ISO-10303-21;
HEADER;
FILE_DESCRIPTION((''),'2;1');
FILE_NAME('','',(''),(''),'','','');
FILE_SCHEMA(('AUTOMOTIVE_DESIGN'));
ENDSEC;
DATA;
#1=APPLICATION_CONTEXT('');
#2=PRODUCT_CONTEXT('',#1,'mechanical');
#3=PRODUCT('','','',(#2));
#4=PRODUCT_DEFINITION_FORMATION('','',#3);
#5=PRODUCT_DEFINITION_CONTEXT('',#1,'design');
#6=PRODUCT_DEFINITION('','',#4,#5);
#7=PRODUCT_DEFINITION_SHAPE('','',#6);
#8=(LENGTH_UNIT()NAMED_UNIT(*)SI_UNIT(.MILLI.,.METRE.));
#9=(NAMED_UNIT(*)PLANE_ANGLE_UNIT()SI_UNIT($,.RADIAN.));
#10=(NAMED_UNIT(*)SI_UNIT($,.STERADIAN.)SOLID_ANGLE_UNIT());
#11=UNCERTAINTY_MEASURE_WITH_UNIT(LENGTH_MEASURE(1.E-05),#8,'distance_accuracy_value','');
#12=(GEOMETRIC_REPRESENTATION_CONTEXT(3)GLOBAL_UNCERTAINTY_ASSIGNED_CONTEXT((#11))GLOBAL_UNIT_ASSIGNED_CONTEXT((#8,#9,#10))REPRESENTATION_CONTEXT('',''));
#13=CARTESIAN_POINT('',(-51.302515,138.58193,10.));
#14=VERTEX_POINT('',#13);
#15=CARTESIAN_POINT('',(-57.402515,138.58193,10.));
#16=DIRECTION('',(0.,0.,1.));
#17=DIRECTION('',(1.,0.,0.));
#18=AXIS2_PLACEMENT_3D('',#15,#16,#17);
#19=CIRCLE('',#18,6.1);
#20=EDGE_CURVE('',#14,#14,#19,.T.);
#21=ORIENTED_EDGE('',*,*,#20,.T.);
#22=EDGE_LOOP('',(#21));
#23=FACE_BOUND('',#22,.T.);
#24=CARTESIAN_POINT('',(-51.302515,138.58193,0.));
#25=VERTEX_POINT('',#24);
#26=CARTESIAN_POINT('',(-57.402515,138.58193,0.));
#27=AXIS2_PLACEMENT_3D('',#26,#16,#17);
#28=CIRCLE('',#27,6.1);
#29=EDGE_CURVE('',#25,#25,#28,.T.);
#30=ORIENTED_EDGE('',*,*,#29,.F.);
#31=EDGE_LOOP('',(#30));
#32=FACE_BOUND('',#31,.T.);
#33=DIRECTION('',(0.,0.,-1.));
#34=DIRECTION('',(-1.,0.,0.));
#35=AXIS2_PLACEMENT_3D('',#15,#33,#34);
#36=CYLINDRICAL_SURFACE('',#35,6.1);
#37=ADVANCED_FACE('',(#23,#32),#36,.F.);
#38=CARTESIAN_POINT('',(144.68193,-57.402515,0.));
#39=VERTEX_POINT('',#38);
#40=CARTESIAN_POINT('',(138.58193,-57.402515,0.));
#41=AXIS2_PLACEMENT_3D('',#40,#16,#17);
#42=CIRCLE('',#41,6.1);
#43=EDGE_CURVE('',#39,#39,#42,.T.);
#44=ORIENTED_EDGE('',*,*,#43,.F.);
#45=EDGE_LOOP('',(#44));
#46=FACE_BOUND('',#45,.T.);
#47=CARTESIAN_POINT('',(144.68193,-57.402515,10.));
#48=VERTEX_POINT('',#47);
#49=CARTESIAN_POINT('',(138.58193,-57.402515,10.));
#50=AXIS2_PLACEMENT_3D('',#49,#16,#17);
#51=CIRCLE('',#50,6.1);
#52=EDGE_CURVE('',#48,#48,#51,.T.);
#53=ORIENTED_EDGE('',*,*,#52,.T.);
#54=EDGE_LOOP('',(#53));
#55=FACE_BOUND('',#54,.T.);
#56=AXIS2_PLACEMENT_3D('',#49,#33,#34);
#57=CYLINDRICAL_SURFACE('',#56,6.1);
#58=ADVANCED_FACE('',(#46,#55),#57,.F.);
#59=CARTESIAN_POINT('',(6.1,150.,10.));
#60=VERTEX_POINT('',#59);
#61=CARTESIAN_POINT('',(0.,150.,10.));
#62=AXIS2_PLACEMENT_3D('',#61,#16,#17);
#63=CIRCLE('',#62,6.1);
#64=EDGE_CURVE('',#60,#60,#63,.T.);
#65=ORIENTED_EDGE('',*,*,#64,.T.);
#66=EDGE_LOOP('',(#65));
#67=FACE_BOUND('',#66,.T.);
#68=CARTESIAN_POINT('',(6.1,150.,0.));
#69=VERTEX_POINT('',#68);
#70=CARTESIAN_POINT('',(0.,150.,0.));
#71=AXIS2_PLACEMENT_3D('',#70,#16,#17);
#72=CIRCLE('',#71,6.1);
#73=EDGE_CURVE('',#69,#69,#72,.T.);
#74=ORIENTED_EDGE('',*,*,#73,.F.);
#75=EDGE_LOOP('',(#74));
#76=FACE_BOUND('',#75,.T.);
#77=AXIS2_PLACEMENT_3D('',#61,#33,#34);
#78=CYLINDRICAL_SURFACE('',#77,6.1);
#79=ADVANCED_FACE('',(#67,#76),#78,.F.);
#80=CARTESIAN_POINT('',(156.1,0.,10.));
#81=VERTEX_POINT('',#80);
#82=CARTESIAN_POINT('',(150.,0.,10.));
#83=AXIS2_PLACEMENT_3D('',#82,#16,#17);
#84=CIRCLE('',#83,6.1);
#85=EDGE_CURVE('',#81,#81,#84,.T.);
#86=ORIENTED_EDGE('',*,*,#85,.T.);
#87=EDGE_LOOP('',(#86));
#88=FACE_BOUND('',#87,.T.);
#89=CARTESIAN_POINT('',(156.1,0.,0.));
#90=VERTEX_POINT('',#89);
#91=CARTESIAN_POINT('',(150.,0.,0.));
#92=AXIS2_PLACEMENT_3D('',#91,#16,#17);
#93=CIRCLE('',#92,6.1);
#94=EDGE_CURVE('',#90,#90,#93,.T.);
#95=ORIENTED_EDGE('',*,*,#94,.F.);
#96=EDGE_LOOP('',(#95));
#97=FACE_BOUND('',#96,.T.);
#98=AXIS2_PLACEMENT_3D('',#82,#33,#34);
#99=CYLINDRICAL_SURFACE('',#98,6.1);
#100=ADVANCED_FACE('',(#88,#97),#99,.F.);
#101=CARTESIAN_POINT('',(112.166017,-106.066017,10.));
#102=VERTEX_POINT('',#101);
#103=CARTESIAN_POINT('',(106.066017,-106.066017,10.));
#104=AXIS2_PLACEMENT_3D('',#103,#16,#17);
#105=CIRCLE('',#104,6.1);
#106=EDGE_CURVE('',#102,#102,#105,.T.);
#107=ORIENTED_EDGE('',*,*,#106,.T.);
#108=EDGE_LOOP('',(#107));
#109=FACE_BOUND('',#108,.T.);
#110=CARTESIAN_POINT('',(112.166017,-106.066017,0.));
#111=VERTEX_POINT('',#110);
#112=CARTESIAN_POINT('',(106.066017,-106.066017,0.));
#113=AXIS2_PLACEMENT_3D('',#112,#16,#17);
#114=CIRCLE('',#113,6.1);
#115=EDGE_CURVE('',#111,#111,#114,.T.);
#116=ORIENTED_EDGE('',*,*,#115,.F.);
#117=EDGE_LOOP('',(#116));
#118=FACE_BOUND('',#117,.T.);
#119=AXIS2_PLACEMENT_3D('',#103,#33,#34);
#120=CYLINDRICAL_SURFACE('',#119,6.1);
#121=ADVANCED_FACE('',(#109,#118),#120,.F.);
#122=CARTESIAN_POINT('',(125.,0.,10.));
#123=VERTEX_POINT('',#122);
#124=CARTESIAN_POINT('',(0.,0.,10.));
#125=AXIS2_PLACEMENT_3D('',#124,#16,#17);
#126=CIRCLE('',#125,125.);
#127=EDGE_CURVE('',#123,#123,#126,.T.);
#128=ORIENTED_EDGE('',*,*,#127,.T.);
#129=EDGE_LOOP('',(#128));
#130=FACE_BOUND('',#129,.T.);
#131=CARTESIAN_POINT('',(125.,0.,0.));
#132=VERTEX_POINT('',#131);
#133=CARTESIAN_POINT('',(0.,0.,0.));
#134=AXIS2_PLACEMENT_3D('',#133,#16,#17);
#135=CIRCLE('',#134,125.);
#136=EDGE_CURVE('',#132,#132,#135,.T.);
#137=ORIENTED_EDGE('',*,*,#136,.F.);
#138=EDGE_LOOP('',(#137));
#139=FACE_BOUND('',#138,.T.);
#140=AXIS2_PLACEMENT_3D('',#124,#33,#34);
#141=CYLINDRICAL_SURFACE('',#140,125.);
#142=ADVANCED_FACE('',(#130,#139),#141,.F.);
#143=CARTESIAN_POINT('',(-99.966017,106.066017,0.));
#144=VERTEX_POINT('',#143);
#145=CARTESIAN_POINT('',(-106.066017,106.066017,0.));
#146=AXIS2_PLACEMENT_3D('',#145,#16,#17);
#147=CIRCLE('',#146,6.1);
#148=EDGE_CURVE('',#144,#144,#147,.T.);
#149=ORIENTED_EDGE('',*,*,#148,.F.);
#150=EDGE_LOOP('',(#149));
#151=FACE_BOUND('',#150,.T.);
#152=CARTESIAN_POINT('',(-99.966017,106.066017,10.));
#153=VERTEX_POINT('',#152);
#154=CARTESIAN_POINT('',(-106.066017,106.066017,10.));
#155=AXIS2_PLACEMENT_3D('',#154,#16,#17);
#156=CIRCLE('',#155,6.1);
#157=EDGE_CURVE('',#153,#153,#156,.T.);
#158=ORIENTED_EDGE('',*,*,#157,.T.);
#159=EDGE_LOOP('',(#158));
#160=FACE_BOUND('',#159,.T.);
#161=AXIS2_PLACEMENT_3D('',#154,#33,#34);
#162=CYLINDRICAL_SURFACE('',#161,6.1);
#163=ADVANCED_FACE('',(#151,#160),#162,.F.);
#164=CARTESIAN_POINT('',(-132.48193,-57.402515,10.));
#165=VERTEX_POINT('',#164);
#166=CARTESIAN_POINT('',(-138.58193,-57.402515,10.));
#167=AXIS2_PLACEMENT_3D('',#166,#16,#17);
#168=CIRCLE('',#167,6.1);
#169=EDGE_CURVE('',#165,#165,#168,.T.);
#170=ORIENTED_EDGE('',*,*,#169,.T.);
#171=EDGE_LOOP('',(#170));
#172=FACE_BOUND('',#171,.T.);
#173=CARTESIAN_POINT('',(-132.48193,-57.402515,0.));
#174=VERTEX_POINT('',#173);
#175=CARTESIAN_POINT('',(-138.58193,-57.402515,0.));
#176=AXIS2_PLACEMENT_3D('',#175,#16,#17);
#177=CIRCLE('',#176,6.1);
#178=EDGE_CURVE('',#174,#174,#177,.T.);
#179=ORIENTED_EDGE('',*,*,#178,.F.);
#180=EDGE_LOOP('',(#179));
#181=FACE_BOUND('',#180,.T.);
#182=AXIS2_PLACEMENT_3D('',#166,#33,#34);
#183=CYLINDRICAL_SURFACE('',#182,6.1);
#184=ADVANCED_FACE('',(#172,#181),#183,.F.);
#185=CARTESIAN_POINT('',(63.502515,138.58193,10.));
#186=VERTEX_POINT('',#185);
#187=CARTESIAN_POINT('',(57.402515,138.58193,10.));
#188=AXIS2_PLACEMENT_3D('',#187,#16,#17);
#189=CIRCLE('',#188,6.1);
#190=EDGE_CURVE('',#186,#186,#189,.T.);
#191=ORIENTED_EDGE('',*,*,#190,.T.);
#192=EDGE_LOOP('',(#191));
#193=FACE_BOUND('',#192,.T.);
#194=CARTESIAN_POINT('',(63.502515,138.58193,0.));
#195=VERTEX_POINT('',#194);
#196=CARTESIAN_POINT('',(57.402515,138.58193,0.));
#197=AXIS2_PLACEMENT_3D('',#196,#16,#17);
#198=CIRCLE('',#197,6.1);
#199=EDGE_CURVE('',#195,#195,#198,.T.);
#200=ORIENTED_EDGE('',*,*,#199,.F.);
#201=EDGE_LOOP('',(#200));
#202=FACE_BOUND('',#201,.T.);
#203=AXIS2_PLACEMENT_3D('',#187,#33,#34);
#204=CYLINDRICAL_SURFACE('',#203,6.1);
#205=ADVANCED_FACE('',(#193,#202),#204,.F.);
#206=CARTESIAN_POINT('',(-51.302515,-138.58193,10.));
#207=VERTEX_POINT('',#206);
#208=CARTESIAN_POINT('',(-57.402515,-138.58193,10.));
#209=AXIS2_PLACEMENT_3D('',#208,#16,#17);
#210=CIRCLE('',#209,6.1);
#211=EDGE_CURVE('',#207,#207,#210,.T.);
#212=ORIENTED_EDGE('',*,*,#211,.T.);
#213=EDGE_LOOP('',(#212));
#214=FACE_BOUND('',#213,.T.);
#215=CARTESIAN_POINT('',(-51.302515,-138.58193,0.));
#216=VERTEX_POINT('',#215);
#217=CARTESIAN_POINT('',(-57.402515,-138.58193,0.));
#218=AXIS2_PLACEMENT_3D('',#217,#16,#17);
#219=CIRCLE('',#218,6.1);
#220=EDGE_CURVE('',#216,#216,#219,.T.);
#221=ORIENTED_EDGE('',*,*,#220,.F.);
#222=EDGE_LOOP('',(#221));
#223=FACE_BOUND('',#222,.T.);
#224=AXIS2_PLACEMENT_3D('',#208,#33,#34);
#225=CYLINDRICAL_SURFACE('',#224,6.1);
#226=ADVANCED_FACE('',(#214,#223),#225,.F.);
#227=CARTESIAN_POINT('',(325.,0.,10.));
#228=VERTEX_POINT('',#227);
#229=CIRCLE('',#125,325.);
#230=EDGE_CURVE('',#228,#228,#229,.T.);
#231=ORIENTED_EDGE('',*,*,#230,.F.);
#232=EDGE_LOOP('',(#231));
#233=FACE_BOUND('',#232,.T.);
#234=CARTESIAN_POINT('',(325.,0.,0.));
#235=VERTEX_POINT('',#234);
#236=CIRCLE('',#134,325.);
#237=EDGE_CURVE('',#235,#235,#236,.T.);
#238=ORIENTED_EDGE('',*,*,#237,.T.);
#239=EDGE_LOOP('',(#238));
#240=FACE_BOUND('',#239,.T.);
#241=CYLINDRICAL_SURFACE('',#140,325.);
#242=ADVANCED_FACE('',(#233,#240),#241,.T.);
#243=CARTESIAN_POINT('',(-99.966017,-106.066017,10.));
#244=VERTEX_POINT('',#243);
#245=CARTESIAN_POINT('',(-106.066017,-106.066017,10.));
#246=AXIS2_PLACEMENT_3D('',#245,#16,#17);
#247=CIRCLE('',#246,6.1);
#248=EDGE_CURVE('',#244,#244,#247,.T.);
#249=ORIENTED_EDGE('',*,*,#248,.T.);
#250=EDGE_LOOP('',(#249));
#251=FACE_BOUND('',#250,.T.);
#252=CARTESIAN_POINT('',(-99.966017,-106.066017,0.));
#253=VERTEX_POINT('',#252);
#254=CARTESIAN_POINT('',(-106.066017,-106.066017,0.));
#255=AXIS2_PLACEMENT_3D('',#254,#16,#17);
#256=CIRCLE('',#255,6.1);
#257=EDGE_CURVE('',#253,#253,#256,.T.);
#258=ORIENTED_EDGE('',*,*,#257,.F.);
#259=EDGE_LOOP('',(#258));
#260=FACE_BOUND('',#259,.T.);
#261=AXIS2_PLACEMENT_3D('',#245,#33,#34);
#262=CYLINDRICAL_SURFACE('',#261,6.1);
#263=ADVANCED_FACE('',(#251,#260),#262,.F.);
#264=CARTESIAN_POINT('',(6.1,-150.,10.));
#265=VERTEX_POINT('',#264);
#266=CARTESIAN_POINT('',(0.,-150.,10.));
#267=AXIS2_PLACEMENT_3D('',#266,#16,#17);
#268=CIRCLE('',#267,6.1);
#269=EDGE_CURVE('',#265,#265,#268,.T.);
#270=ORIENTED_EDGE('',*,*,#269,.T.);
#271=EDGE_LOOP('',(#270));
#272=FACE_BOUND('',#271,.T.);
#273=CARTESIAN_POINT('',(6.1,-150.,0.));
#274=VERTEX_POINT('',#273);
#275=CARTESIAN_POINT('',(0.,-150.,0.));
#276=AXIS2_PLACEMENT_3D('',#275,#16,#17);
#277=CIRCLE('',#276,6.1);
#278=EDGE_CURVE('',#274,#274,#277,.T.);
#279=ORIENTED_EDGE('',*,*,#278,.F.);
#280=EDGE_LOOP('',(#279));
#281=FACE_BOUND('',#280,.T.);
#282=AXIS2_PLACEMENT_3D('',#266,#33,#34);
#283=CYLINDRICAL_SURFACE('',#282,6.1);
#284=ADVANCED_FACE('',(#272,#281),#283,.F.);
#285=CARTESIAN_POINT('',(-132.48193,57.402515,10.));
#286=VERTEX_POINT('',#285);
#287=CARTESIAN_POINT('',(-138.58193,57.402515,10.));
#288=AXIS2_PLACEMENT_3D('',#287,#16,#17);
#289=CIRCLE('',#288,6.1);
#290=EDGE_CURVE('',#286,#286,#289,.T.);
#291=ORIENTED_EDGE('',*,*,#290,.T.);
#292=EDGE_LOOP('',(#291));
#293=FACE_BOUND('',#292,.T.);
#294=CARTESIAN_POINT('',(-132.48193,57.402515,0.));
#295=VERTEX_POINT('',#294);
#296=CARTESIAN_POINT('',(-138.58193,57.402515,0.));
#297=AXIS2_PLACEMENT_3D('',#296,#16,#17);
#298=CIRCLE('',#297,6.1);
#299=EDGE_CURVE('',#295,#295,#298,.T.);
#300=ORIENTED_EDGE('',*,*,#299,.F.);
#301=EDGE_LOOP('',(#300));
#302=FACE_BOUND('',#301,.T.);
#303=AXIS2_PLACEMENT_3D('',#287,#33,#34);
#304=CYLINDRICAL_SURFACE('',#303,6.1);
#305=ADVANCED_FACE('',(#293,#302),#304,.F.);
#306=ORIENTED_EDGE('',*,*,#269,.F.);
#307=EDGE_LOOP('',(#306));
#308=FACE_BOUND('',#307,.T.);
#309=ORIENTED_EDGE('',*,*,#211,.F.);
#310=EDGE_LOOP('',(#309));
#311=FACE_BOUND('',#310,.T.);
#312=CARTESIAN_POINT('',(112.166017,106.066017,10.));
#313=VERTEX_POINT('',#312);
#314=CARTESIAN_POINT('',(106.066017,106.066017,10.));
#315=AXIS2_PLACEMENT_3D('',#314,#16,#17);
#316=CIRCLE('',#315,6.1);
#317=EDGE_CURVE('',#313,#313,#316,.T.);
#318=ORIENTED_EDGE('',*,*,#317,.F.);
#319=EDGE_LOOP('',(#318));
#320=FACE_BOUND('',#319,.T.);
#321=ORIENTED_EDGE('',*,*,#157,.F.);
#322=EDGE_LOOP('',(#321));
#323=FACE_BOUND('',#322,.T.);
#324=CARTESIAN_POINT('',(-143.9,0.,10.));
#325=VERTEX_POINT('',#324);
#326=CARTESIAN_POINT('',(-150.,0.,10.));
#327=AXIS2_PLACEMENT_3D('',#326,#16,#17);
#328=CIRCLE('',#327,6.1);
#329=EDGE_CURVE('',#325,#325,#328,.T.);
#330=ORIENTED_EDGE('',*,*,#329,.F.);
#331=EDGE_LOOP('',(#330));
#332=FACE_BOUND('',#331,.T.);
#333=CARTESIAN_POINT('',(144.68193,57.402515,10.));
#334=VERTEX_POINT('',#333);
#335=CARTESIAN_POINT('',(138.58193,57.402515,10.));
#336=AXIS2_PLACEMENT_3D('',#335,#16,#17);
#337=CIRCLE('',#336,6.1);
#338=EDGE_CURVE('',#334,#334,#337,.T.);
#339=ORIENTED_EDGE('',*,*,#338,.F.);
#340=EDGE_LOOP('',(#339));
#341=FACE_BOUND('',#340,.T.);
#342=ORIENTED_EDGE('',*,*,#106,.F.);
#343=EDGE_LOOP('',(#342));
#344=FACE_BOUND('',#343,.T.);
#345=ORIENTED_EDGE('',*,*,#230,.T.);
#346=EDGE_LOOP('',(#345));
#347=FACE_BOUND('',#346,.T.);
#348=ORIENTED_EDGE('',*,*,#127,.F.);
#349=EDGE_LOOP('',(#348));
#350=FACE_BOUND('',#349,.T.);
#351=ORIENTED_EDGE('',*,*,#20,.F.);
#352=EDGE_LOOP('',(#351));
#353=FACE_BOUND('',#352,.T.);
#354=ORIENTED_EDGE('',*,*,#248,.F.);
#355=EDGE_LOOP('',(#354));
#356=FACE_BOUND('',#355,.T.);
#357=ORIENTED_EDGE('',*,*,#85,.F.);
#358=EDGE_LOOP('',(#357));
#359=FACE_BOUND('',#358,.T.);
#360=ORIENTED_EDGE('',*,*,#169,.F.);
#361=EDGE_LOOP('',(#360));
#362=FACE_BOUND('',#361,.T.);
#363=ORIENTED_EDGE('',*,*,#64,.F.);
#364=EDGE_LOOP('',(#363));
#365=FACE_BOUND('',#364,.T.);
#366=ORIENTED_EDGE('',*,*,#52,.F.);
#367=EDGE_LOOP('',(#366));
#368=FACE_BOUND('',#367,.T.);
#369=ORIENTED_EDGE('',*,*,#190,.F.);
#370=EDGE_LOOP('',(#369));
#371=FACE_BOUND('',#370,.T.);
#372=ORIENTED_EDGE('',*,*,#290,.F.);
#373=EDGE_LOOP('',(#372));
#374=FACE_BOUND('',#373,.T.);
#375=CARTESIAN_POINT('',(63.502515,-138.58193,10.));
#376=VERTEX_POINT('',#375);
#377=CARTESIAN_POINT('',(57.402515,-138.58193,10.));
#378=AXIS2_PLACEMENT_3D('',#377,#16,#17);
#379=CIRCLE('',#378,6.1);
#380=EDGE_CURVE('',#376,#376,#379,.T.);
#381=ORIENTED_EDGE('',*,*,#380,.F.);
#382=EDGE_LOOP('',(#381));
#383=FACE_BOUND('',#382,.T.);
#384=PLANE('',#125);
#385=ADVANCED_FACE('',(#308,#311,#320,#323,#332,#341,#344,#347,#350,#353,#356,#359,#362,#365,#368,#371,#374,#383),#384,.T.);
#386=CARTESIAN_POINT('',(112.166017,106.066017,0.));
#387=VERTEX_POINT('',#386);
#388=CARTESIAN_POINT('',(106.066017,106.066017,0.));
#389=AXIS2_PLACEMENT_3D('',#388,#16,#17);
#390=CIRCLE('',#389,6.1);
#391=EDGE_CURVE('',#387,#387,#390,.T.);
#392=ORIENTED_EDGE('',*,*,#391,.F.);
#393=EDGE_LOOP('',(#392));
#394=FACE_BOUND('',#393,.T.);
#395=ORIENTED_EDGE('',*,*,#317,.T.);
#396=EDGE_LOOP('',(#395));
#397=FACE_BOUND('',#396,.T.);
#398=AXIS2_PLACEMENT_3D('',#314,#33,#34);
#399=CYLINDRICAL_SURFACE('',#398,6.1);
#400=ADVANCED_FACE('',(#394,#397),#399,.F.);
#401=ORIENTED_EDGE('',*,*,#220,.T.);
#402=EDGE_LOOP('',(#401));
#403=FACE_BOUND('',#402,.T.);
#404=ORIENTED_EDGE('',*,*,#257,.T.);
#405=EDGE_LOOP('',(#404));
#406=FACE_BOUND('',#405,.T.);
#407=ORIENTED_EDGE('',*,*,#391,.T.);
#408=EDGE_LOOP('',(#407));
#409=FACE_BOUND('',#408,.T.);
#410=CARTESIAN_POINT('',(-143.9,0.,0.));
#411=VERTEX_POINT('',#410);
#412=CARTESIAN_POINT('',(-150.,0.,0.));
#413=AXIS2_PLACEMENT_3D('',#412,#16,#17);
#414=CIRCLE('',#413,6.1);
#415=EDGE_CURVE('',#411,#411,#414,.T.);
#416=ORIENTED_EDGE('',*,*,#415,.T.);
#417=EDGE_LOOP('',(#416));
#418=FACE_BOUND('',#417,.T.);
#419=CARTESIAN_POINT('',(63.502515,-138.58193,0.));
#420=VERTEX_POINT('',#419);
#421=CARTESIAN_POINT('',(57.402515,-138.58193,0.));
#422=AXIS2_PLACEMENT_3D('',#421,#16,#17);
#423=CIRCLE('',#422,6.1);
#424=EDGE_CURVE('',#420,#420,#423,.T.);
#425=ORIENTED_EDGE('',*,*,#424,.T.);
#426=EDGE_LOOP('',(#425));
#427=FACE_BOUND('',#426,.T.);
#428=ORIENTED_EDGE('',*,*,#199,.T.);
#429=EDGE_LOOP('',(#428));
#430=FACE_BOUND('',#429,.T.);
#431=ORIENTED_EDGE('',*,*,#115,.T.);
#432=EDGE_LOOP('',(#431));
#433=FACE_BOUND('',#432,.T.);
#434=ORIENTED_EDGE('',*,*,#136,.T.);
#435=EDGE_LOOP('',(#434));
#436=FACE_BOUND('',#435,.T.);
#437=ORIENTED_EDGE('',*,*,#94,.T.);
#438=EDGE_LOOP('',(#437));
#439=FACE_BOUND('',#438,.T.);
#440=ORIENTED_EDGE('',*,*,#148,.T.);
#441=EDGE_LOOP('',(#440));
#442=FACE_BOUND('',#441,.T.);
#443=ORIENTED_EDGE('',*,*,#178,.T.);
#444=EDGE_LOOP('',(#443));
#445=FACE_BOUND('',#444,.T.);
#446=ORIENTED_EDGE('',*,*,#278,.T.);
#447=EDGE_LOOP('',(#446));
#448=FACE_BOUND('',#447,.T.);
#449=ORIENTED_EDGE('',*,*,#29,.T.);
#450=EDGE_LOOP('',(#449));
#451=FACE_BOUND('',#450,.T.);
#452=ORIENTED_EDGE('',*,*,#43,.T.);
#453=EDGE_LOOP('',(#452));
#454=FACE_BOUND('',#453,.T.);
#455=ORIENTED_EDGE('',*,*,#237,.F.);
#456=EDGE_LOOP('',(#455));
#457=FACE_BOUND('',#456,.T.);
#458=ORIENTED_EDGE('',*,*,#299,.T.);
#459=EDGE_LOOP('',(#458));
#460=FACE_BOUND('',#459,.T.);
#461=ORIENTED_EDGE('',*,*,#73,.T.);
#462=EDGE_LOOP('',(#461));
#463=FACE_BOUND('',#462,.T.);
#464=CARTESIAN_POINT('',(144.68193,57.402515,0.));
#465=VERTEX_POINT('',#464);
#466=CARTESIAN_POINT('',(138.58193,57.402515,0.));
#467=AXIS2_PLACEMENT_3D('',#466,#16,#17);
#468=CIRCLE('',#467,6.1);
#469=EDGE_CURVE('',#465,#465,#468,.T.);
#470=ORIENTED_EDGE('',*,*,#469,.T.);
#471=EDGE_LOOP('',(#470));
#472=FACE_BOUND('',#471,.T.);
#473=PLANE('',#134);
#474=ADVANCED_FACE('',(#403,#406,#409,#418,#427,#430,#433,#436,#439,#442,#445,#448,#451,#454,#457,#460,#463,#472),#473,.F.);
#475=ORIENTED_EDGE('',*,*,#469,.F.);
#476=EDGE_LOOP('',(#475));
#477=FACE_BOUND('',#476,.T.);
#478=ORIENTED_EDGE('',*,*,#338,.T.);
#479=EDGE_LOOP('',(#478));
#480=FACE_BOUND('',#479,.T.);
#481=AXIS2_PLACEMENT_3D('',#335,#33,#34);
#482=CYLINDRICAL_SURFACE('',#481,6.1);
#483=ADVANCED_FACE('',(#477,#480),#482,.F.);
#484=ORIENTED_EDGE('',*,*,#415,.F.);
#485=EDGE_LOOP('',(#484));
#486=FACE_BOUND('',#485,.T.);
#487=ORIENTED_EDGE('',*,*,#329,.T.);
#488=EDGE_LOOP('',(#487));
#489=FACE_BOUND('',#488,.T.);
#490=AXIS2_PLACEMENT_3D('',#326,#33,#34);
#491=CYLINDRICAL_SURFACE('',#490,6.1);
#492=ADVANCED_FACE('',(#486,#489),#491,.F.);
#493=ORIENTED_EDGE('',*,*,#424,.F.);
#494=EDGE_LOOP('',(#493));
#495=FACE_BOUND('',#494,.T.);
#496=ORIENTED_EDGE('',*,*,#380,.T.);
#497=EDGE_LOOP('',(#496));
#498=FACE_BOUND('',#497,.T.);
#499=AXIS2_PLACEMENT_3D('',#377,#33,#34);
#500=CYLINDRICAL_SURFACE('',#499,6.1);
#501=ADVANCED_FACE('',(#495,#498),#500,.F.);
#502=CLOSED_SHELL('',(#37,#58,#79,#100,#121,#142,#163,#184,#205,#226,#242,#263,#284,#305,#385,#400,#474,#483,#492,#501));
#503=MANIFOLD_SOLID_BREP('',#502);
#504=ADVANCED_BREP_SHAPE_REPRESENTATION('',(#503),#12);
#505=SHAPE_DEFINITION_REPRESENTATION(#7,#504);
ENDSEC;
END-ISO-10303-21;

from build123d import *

# Parameters (mm, degrees)
SKETCH1_R           = 325
SKETCH1_R_2         = 125
SKETCH1_R_3         = 6.1
BOSS_EXTRUDE1_DEPTH = 10


with BuildPart() as part:
    # Sketch1 → Boss-Extrude1 (new body)
    with BuildSketch(Plane.XY):
        Circle(SKETCH1_R)
        Circle(SKETCH1_R_2, mode=Mode.SUBTRACT)
        with Locations((0, 150)):
            Circle(SKETCH1_R_3, mode=Mode.SUBTRACT)
        with Locations((57.402514855, 138.581929877)):
            Circle(SKETCH1_R_3, mode=Mode.SUBTRACT)
        with Locations((106.066017178, 106.066017178)):
            Circle(SKETCH1_R_3, mode=Mode.SUBTRACT)
        with Locations((138.581929877, 57.402514855)):
            Circle(SKETCH1_R_3, mode=Mode.SUBTRACT)
        with Locations((150, 0)):
            Circle(SKETCH1_R_3, mode=Mode.SUBTRACT)
        with Locations((138.581929877, -57.402514855)):
            Circle(SKETCH1_R_3, mode=Mode.SUBTRACT)
        with Locations((106.066017178, -106.066017178)):
            Circle(SKETCH1_R_3, mode=Mode.SUBTRACT)
        with Locations((57.402514855, -138.581929877)):
            Circle(SKETCH1_R_3, mode=Mode.SUBTRACT)
        with Locations((0, -150)):
            Circle(SKETCH1_R_3, mode=Mode.SUBTRACT)
        with Locations((-57.402514855, -138.581929877)):
            Circle(SKETCH1_R_3, mode=Mode.SUBTRACT)
        with Locations((-106.066017178, -106.066017178)):
            Circle(SKETCH1_R_3, mode=Mode.SUBTRACT)
        with Locations((-138.581929877, -57.402514855)):
            Circle(SKETCH1_R_3, mode=Mode.SUBTRACT)
        with Locations((-150, 0)):
            Circle(SKETCH1_R_3, mode=Mode.SUBTRACT)
        with Locations((-138.581929877, 57.402514855)):
            Circle(SKETCH1_R_3, mode=Mode.SUBTRACT)
        with Locations((-106.066017178, 106.066017178)):
            Circle(SKETCH1_R_3, mode=Mode.SUBTRACT)
        with Locations((-57.402514855, 138.581929877)):
            Circle(SKETCH1_R_3, mode=Mode.SUBTRACT)
    extrude(amount=BOSS_EXTRUDE1_DEPTH)


solid = part.part
